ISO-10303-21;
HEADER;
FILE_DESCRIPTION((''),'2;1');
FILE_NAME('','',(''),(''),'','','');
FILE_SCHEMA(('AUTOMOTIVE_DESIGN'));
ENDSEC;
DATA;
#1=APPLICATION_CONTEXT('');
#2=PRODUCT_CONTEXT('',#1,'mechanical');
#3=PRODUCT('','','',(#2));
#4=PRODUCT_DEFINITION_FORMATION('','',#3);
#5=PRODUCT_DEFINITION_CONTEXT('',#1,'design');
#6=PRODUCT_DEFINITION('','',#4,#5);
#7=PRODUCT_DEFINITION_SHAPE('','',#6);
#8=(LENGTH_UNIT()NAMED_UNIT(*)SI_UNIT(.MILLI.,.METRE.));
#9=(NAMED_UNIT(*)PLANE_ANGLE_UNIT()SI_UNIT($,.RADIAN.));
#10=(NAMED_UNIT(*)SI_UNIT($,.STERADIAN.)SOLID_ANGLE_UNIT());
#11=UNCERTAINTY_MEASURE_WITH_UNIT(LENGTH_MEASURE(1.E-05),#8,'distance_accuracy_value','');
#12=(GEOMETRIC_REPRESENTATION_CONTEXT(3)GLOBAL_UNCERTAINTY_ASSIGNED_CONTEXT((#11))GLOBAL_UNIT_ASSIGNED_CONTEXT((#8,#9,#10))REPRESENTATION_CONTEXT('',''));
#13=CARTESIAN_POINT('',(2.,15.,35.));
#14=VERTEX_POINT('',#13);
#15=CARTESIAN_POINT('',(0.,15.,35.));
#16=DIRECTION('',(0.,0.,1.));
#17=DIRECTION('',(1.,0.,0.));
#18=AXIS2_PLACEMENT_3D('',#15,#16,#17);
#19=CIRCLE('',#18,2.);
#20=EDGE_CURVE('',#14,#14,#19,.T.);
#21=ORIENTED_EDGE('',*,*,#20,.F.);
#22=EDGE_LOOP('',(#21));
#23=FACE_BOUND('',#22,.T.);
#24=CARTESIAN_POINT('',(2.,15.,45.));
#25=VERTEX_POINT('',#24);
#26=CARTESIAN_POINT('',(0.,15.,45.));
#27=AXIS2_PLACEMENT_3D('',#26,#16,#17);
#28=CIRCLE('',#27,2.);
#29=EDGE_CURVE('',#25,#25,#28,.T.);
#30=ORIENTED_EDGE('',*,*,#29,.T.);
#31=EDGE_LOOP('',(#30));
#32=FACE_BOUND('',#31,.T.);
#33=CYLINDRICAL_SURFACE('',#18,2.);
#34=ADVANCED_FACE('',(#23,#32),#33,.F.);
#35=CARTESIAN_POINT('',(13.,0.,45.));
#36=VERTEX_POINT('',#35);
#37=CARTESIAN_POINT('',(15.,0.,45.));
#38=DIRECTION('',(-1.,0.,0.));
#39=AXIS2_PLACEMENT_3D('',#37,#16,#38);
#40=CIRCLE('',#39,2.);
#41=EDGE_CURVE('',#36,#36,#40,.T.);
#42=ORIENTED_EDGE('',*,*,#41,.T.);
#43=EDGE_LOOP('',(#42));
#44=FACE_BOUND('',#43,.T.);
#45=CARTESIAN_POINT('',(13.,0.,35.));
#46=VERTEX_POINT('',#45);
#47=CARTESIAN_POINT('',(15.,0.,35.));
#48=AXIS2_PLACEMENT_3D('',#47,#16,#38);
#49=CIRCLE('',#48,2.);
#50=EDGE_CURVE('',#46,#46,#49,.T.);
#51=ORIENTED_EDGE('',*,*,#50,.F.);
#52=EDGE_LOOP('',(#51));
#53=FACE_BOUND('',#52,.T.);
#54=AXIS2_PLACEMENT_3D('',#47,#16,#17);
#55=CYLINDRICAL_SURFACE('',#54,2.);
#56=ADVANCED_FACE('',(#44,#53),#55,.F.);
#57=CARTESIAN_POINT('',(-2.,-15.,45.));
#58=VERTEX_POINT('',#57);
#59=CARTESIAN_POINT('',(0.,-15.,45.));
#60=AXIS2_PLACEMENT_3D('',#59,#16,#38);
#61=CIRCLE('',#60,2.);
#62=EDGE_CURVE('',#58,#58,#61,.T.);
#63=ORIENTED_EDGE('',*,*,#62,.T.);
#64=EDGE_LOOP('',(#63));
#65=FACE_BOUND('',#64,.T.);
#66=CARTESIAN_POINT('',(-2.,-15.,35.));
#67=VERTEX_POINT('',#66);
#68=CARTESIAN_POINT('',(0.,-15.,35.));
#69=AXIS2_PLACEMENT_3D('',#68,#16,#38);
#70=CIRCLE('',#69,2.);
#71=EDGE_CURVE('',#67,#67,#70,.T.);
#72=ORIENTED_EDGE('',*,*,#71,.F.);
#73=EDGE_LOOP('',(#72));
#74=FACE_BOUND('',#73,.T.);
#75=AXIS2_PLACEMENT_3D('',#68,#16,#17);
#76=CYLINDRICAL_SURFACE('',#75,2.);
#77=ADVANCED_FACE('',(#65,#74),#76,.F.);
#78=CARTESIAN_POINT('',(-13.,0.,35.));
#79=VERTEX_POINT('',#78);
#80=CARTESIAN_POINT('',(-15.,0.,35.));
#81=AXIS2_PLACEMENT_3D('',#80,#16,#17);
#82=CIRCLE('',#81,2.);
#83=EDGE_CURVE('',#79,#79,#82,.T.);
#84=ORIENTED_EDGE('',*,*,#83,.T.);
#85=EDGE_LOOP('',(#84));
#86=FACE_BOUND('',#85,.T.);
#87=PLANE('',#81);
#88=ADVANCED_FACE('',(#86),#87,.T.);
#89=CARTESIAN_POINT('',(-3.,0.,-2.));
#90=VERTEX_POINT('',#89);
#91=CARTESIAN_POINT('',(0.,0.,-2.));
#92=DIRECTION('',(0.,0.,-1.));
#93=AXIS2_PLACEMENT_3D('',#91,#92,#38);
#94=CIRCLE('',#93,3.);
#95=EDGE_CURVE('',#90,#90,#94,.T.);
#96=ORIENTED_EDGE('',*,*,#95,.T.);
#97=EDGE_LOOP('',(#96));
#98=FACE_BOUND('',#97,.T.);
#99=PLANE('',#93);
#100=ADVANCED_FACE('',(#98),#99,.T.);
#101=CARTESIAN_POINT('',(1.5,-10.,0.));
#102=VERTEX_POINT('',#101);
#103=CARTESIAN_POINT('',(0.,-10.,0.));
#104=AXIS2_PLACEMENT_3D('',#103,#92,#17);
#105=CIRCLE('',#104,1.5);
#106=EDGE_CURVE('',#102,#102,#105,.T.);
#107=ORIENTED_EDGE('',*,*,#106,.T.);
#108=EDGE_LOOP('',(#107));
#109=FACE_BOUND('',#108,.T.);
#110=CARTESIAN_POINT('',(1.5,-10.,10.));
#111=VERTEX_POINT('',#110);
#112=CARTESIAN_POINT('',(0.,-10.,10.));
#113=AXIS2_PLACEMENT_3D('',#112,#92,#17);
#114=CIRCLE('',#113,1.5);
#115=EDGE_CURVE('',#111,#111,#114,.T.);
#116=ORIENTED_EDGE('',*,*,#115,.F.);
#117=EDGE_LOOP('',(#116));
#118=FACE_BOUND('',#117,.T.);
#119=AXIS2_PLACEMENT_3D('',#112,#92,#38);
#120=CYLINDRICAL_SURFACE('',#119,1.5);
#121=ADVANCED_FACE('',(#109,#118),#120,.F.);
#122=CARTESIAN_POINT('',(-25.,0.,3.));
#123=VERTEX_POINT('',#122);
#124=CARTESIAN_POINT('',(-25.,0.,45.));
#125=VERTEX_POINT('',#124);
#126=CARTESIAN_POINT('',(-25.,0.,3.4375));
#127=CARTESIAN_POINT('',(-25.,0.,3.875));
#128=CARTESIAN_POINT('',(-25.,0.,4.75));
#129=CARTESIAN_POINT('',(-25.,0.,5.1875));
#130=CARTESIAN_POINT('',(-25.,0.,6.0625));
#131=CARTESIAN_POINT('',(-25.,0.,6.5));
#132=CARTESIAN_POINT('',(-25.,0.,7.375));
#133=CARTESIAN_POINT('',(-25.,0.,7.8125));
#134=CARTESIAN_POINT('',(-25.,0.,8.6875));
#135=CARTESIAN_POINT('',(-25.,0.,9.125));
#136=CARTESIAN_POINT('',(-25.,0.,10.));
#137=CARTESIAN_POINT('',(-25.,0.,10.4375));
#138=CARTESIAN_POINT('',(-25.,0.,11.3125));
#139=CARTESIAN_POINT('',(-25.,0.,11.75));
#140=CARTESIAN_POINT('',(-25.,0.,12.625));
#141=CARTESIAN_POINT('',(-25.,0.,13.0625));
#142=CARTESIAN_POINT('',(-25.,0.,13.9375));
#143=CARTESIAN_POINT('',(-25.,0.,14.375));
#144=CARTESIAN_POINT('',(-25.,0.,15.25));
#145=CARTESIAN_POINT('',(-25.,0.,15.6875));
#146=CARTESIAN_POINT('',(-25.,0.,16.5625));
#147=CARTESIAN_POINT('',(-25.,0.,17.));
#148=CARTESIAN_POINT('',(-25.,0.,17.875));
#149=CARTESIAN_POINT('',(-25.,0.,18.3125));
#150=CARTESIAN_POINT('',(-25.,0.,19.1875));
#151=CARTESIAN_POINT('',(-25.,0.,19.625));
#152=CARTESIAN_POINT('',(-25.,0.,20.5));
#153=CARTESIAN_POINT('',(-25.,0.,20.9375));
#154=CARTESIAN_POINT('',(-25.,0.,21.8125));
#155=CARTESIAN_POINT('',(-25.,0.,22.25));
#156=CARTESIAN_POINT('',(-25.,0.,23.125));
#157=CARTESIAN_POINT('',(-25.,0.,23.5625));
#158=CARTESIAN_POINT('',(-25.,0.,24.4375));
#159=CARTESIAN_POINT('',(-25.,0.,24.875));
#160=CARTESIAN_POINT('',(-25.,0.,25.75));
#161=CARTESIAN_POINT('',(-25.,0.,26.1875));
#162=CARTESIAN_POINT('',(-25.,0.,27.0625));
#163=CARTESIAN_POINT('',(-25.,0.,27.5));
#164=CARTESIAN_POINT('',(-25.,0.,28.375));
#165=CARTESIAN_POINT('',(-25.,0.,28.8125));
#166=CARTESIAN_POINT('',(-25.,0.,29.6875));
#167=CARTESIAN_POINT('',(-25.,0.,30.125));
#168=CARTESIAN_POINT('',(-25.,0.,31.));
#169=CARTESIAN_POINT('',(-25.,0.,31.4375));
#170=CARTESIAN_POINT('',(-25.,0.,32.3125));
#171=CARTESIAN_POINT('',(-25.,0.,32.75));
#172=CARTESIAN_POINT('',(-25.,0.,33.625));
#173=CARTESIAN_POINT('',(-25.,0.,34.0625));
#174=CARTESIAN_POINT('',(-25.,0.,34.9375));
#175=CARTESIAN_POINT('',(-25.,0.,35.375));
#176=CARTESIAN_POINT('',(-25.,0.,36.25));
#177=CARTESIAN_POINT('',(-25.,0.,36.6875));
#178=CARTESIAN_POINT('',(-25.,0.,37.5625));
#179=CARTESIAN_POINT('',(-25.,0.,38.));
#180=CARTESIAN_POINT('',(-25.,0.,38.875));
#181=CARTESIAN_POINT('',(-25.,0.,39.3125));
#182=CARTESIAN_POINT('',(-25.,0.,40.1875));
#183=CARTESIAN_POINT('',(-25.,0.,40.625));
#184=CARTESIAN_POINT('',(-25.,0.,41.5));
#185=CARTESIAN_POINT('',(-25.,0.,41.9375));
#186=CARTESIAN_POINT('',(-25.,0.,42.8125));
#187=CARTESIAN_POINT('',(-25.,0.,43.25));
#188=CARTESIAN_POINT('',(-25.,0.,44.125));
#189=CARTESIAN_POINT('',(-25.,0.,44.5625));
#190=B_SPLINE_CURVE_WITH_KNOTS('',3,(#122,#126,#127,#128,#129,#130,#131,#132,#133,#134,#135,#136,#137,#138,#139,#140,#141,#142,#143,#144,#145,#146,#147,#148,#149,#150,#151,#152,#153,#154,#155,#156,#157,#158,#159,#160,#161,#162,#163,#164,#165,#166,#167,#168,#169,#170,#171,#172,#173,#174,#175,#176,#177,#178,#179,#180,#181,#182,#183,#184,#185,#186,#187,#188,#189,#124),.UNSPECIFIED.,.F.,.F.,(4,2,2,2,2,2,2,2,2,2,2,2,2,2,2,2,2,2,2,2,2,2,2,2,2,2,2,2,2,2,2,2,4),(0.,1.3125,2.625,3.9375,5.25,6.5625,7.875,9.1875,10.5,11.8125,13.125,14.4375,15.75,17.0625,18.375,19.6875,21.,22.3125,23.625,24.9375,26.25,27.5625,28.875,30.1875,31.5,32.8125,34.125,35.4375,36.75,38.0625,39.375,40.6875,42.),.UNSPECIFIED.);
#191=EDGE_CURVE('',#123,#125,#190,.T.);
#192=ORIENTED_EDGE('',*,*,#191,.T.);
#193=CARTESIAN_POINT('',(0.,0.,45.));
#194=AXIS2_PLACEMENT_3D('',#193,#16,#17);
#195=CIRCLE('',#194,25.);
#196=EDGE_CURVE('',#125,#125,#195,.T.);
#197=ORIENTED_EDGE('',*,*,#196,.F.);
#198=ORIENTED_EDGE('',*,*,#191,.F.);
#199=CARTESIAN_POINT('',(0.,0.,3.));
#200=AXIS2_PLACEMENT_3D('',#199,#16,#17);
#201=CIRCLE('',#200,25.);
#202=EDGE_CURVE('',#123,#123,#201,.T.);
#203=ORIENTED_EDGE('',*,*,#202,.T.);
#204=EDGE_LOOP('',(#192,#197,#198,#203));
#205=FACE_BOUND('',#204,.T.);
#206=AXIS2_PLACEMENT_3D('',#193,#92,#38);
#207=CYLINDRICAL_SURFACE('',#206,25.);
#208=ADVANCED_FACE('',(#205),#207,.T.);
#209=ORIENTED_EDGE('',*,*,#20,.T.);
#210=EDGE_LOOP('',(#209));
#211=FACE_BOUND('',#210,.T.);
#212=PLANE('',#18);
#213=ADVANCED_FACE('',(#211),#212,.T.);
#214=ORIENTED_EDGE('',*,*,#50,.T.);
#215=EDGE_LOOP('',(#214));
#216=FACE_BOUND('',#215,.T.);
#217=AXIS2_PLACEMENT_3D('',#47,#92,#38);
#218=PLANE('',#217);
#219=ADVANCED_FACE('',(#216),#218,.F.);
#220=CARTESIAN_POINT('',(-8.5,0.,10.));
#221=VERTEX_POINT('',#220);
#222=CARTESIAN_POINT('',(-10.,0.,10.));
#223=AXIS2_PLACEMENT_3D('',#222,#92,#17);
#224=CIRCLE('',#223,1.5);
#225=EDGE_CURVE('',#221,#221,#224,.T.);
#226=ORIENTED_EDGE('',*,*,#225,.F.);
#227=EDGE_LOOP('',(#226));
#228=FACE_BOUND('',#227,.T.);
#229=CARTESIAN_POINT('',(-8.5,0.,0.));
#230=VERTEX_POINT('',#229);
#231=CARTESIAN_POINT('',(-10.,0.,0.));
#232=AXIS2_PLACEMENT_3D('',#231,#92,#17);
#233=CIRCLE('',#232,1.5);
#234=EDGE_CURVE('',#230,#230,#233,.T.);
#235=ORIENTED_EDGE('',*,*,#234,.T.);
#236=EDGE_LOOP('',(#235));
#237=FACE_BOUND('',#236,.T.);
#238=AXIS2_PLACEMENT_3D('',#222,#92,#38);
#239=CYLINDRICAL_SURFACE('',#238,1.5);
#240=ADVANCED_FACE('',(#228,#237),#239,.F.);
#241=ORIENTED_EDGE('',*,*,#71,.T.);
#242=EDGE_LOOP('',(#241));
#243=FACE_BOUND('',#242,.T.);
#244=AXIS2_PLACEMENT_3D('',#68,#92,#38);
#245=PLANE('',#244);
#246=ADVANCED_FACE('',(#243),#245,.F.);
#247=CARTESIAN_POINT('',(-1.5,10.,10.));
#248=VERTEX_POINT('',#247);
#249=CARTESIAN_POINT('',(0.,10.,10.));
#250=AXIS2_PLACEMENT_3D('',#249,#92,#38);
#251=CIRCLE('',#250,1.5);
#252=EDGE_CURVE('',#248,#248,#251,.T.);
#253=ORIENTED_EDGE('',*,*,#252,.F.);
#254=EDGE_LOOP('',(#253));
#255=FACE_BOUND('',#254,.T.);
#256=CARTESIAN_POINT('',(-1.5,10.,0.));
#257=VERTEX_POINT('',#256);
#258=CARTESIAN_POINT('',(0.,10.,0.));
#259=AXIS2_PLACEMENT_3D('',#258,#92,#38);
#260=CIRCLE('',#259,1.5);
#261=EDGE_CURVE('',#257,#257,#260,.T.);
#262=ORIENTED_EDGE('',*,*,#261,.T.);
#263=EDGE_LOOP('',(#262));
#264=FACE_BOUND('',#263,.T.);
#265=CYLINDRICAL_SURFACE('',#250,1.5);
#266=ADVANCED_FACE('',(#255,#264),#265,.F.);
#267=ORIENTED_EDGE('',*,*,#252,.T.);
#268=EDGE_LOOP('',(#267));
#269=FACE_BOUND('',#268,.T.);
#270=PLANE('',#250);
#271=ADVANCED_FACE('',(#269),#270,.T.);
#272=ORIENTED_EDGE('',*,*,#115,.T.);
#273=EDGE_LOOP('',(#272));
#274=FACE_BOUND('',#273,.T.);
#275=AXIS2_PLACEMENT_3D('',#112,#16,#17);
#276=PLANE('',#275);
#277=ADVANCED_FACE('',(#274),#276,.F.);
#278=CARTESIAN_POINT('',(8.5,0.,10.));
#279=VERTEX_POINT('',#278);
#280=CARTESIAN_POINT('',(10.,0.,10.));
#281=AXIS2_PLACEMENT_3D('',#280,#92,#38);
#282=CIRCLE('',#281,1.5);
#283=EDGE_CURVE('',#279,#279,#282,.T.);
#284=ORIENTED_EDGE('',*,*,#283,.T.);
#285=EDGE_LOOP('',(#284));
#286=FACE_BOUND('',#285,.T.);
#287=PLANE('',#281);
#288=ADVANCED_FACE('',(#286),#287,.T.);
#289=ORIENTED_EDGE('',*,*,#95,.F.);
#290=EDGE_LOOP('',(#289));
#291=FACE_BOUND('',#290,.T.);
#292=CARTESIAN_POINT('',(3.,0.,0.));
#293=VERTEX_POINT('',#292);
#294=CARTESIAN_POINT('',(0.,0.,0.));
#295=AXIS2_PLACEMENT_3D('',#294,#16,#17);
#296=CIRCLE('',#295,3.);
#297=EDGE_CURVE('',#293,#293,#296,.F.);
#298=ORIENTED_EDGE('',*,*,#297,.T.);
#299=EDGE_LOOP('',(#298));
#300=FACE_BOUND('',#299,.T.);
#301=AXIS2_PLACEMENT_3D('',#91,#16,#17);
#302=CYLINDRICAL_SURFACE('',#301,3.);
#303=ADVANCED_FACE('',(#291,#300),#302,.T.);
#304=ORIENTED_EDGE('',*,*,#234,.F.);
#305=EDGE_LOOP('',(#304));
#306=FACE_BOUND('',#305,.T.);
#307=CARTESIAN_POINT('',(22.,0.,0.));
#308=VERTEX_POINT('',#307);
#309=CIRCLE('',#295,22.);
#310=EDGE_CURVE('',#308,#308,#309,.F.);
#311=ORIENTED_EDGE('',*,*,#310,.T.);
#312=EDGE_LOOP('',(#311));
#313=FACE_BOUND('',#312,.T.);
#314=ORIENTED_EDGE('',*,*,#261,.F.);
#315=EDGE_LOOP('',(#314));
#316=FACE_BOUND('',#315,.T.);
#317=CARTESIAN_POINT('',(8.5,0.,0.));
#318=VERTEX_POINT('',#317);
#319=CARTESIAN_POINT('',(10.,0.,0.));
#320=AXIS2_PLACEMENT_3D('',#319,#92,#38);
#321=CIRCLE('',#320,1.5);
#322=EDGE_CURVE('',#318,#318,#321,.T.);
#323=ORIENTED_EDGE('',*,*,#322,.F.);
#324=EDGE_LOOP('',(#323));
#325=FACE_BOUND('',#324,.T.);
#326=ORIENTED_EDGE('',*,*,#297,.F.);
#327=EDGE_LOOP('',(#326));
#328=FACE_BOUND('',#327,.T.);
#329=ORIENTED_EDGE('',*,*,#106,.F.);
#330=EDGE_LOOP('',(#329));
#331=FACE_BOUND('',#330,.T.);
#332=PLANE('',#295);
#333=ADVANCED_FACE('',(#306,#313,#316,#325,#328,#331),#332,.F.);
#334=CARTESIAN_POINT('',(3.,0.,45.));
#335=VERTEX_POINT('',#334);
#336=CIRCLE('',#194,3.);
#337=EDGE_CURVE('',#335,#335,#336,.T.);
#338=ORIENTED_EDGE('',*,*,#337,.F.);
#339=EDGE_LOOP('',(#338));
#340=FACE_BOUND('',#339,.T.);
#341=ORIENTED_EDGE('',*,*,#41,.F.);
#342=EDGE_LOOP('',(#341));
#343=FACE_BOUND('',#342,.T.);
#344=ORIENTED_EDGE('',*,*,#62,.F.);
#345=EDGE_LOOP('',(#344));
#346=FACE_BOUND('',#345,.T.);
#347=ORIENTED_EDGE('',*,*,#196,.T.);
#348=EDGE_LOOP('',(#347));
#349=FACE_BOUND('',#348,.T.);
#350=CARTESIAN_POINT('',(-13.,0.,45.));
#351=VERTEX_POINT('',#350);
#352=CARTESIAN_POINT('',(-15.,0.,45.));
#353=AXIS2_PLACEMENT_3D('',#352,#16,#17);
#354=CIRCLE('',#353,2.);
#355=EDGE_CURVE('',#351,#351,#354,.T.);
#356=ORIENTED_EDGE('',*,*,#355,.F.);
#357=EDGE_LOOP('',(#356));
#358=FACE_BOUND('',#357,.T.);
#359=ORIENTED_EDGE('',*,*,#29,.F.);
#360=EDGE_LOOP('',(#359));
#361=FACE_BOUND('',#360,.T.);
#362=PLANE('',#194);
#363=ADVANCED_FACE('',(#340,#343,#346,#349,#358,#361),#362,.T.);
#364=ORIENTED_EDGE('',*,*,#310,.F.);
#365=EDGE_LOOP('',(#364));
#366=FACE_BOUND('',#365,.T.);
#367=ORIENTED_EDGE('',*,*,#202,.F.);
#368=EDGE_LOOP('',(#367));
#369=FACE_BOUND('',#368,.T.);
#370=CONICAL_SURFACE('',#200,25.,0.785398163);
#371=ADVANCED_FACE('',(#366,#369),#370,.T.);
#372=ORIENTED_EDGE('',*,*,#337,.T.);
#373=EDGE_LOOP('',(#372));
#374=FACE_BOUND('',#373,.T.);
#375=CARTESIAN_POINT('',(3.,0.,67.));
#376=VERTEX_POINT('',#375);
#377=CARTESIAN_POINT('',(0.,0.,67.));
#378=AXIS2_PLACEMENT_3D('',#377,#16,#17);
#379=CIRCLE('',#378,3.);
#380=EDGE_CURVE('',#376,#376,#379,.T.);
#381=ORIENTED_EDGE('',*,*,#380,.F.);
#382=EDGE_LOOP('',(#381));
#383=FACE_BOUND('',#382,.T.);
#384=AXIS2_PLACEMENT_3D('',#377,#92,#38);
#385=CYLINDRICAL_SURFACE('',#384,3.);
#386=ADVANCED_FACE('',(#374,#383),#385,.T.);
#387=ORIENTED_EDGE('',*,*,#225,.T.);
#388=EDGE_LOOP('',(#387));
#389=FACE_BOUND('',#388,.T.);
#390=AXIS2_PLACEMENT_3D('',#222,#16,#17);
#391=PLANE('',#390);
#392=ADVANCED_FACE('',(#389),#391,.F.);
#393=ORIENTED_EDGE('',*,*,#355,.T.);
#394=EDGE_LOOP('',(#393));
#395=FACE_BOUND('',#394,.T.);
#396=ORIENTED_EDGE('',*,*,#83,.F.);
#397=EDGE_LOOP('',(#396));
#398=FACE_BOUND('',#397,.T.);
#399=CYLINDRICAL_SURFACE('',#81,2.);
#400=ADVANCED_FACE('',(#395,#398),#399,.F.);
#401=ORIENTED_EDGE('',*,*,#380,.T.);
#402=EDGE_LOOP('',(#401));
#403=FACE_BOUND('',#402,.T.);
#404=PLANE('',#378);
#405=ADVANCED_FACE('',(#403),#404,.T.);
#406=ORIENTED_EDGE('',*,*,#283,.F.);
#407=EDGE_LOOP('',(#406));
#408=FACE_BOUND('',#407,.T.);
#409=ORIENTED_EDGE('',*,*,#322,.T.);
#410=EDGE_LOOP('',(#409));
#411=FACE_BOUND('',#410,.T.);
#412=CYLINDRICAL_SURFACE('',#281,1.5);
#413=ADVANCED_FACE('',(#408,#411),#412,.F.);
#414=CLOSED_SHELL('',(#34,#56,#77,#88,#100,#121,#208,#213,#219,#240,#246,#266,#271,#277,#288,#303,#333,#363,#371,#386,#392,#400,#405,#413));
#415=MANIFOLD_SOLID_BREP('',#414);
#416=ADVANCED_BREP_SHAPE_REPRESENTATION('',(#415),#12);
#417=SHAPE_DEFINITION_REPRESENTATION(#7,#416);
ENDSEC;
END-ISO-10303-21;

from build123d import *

# Parameters (mm, degrees)
SKETCH1_R           = 25
BOSS_EXTRUDE1_DEPTH = 45
SKETCH2_R           = 2
CUT_EXTRUDE1_DEPTH  = 10
SKETCH3_R           = 3
BOSS_EXTRUDE2_DEPTH = 22
SKETCH4_R           = 1.5
CUT_EXTRUDE2_DEPTH  = 10
BOSS_EXTRUDE3_START = 2
SKETCH5_R           = 3
BOSS_EXTRUDE3_DEPTH = 2
CHAMFER1_SIZE       = 3


with BuildPart() as part:
    # Sketch1 → Boss-Extrude1 (new body)
    with BuildSketch(Plane.XY):
        with Locations(Location((0, 0, 0), (0, 0, 180))):
            Circle(SKETCH1_R)
    extrude(amount=BOSS_EXTRUDE1_DEPTH)

    # Sketch2 → Cut-Extrude1 (cut)
    with BuildSketch(Plane.XY.offset(45)):
        with Locations((0, 15)):
            Circle(SKETCH2_R)
        with Locations(Location((0, -15, 0), (0, 0, 180))):
            Circle(SKETCH2_R)
        with Locations((-15, 0)):
            Circle(SKETCH2_R)
        with Locations(Location((15, 0, 0), (0, 0, 180))):
            Circle(SKETCH2_R)
    extrude(amount=-CUT_EXTRUDE1_DEPTH, mode=Mode.SUBTRACT)

    # Sketch3 → Boss-Extrude2 (add)
    with BuildSketch(Plane.XY.offset(45)):
        Circle(SKETCH3_R)
    extrude(amount=BOSS_EXTRUDE2_DEPTH)

    # Sketch4 → Cut-Extrude2 (cut)
    with BuildSketch(Plane(origin=(0, 0, 0), x_dir=(-1, 0, 0), z_dir=(0, 0, -1))):
        with Locations((0, 10)):
            Circle(SKETCH4_R)
        with Locations(Location((0, -10, 0), (0, 0, 180))):
            Circle(SKETCH4_R)
        with Locations((-10, 0)):
            Circle(SKETCH4_R)
        with Locations(Location((10, 0, 0), (0, 0, 180))):
            Circle(SKETCH4_R)
    extrude(amount=-CUT_EXTRUDE2_DEPTH, mode=Mode.SUBTRACT)

    # Sketch5 → Boss-Extrude3 (add)
    with BuildSketch(Plane(origin=(0, 0, 0), x_dir=(-1, 0, 0), z_dir=(0, 0, -1)).offset(BOSS_EXTRUDE3_START)):
        with Locations(Location((0, 0, 0), (0, 0, 180))):
            Circle(SKETCH5_R)
    extrude(amount=-BOSS_EXTRUDE3_DEPTH)

    # Chamfer1
    chamfer1_edges = [part.edges().sort_by_distance(p)[0] for p in [
        (25, 0, 0),
    ]]
    chamfer(chamfer1_edges, length=CHAMFER1_SIZE)


solid = part.part
